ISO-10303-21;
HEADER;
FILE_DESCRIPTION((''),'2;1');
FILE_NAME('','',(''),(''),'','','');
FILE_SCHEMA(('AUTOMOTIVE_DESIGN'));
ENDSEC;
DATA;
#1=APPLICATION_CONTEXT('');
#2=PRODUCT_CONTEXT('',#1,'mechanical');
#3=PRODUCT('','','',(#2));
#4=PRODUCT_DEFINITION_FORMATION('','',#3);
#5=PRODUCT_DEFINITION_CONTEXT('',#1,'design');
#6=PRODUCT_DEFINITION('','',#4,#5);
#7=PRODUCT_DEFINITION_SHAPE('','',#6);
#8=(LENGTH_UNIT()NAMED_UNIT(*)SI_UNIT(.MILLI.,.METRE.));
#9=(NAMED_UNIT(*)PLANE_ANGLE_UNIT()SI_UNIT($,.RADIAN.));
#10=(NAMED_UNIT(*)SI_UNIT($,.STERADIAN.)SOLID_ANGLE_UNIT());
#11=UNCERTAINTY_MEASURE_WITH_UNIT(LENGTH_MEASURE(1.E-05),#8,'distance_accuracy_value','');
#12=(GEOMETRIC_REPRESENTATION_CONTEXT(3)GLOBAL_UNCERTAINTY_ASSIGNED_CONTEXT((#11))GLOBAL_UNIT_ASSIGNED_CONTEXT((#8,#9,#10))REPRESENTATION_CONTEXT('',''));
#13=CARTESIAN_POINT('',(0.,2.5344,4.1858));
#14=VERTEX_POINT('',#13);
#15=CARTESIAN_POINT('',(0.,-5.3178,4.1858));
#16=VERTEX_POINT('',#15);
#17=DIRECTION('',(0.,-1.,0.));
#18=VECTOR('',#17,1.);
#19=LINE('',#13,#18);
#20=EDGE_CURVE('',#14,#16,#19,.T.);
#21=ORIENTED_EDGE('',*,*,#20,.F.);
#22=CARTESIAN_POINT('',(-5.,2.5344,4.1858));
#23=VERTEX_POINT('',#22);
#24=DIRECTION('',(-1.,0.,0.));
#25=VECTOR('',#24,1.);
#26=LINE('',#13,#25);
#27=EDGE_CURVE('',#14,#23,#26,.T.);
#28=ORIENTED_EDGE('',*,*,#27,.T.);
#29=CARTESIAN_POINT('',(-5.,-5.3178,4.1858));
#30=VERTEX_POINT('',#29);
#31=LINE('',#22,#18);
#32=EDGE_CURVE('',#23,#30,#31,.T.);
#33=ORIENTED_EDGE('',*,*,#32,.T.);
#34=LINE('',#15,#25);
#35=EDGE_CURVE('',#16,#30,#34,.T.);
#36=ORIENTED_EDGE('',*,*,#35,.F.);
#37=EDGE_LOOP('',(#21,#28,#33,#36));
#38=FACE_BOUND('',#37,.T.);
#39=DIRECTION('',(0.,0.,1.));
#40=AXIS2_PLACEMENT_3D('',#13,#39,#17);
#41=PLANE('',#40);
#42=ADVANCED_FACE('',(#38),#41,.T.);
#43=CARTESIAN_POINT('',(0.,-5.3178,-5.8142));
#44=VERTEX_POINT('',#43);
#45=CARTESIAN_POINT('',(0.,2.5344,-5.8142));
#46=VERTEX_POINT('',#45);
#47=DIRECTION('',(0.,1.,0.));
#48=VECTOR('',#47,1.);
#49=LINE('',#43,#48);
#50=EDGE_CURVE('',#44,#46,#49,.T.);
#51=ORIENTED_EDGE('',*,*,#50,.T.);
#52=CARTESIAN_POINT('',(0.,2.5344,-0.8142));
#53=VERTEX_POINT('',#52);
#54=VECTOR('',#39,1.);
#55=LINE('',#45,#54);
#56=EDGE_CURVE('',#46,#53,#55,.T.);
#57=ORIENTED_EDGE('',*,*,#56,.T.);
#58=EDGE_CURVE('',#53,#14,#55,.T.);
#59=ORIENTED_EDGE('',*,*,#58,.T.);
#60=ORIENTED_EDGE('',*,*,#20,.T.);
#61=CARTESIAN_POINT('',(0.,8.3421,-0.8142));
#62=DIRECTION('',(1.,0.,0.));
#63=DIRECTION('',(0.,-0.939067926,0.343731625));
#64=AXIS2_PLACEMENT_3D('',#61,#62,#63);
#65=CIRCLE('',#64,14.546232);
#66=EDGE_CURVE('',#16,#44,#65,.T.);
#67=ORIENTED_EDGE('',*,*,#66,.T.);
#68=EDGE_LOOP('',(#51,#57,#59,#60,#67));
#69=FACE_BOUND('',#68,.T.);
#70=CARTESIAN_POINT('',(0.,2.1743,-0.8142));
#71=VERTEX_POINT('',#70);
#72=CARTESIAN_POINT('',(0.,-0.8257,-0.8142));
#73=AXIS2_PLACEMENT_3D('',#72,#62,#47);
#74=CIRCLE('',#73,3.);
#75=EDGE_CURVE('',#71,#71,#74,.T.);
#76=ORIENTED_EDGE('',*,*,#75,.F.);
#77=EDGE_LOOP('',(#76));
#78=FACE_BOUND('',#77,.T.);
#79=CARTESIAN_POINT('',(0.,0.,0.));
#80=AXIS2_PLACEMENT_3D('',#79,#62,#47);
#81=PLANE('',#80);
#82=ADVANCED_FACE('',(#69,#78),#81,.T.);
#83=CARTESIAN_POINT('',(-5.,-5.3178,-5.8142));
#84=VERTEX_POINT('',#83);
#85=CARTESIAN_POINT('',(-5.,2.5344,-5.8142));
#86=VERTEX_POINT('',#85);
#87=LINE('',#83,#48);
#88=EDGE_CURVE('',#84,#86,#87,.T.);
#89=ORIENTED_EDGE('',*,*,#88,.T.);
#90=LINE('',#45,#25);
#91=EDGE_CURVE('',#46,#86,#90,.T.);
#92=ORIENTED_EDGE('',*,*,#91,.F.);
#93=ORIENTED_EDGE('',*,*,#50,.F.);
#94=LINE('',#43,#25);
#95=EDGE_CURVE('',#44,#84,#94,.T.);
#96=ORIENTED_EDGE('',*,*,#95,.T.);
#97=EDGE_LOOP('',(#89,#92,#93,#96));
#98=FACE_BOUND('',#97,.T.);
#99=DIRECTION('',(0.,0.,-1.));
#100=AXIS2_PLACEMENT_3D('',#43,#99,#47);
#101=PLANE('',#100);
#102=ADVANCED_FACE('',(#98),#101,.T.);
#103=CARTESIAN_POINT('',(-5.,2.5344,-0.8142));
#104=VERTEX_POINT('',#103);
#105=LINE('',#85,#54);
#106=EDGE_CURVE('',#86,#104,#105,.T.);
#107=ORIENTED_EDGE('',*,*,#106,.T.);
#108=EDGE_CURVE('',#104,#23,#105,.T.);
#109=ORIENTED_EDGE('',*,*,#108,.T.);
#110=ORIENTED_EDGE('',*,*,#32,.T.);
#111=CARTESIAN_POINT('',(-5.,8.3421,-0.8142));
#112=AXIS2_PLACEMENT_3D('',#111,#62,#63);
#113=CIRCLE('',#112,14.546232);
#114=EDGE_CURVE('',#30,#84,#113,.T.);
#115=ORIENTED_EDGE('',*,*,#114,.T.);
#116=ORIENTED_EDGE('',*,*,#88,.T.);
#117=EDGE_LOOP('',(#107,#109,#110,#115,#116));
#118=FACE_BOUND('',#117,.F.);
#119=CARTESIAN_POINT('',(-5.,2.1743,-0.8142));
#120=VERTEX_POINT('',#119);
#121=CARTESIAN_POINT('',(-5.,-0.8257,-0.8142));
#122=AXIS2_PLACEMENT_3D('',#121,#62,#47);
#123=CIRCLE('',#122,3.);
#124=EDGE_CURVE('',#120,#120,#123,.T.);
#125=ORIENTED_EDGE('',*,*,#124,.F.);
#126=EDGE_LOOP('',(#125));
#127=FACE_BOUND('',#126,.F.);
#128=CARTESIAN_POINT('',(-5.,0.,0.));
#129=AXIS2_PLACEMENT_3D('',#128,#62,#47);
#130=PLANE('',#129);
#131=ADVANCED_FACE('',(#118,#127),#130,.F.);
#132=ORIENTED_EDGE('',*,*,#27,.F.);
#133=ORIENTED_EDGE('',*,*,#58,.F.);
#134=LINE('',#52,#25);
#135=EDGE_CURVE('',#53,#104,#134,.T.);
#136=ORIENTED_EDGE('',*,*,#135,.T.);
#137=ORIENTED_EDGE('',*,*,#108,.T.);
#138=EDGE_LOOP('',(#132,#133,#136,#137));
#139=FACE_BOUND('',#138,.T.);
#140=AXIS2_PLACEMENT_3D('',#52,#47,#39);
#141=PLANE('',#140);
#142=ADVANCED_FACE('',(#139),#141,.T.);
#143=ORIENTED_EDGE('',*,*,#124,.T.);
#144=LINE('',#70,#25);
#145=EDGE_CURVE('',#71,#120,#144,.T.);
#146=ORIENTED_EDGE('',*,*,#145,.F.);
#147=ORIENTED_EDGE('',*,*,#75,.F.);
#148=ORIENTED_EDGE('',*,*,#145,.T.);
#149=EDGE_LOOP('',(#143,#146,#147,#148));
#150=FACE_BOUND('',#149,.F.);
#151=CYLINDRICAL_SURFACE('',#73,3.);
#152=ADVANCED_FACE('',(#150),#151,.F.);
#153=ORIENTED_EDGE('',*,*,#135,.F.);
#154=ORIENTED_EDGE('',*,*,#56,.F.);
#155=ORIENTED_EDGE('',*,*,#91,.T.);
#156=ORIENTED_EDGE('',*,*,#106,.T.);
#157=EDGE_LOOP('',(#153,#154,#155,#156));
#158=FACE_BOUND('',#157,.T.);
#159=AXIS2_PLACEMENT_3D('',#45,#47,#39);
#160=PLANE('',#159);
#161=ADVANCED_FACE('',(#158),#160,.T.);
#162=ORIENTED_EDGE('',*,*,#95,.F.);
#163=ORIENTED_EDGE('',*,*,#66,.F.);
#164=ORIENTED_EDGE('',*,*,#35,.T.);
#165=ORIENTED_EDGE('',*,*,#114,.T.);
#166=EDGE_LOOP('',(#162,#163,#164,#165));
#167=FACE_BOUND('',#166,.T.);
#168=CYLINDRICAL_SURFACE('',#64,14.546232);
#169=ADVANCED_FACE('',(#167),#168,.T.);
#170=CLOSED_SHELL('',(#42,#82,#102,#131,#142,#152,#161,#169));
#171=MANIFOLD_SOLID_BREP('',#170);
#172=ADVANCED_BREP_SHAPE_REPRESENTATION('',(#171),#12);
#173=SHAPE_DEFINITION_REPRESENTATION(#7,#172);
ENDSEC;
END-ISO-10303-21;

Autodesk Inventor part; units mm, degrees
ref_plane "YZ Plane" through (0, 0, 0) normal (1, 0, 0) x (0, 1, 0)
ref_plane "XZ Plane" through (0, 0, 0) normal (0, 1, 0) x (-1, 0, 0)
ref_plane "XY Plane" through (0, 0, 0) normal (0, 0, 1) x (1, 0, 0)
sketch "Schizzo1" plane through (0, 0, 0) normal (1, 0, 0) x (0, 1, 0)
  line L0 (2.5344, 4.1858) -> (-5.3178, 4.1858)
  line L1 (-5.3178, -5.8142) -> (2.5344, -5.8142)
  line L2 (2.5344, -5.8142) -> (2.5344, 4.1858)
  circle A0 centre (-0.8257, -0.8142) radius 3
  line L3 (2.5344, 4.1858) -> (2.5344, -0.8142)
  arc A1 (-5.3178, 4.1858) -> (-5.3178, -5.8142) centre (8.3421, -0.8142) ccw
  point P0 (0, 0)
  dimension "d0" = 10
  dimension "d1" = 6
extrude "Estrusione1" add sketch "Schizzo1" against normal blind 5
thread "Filettatura1" size "M6x0.75" class "6H" standard "ANSI Metric M Profile" full length
properties part number "porta vite senza fine"
